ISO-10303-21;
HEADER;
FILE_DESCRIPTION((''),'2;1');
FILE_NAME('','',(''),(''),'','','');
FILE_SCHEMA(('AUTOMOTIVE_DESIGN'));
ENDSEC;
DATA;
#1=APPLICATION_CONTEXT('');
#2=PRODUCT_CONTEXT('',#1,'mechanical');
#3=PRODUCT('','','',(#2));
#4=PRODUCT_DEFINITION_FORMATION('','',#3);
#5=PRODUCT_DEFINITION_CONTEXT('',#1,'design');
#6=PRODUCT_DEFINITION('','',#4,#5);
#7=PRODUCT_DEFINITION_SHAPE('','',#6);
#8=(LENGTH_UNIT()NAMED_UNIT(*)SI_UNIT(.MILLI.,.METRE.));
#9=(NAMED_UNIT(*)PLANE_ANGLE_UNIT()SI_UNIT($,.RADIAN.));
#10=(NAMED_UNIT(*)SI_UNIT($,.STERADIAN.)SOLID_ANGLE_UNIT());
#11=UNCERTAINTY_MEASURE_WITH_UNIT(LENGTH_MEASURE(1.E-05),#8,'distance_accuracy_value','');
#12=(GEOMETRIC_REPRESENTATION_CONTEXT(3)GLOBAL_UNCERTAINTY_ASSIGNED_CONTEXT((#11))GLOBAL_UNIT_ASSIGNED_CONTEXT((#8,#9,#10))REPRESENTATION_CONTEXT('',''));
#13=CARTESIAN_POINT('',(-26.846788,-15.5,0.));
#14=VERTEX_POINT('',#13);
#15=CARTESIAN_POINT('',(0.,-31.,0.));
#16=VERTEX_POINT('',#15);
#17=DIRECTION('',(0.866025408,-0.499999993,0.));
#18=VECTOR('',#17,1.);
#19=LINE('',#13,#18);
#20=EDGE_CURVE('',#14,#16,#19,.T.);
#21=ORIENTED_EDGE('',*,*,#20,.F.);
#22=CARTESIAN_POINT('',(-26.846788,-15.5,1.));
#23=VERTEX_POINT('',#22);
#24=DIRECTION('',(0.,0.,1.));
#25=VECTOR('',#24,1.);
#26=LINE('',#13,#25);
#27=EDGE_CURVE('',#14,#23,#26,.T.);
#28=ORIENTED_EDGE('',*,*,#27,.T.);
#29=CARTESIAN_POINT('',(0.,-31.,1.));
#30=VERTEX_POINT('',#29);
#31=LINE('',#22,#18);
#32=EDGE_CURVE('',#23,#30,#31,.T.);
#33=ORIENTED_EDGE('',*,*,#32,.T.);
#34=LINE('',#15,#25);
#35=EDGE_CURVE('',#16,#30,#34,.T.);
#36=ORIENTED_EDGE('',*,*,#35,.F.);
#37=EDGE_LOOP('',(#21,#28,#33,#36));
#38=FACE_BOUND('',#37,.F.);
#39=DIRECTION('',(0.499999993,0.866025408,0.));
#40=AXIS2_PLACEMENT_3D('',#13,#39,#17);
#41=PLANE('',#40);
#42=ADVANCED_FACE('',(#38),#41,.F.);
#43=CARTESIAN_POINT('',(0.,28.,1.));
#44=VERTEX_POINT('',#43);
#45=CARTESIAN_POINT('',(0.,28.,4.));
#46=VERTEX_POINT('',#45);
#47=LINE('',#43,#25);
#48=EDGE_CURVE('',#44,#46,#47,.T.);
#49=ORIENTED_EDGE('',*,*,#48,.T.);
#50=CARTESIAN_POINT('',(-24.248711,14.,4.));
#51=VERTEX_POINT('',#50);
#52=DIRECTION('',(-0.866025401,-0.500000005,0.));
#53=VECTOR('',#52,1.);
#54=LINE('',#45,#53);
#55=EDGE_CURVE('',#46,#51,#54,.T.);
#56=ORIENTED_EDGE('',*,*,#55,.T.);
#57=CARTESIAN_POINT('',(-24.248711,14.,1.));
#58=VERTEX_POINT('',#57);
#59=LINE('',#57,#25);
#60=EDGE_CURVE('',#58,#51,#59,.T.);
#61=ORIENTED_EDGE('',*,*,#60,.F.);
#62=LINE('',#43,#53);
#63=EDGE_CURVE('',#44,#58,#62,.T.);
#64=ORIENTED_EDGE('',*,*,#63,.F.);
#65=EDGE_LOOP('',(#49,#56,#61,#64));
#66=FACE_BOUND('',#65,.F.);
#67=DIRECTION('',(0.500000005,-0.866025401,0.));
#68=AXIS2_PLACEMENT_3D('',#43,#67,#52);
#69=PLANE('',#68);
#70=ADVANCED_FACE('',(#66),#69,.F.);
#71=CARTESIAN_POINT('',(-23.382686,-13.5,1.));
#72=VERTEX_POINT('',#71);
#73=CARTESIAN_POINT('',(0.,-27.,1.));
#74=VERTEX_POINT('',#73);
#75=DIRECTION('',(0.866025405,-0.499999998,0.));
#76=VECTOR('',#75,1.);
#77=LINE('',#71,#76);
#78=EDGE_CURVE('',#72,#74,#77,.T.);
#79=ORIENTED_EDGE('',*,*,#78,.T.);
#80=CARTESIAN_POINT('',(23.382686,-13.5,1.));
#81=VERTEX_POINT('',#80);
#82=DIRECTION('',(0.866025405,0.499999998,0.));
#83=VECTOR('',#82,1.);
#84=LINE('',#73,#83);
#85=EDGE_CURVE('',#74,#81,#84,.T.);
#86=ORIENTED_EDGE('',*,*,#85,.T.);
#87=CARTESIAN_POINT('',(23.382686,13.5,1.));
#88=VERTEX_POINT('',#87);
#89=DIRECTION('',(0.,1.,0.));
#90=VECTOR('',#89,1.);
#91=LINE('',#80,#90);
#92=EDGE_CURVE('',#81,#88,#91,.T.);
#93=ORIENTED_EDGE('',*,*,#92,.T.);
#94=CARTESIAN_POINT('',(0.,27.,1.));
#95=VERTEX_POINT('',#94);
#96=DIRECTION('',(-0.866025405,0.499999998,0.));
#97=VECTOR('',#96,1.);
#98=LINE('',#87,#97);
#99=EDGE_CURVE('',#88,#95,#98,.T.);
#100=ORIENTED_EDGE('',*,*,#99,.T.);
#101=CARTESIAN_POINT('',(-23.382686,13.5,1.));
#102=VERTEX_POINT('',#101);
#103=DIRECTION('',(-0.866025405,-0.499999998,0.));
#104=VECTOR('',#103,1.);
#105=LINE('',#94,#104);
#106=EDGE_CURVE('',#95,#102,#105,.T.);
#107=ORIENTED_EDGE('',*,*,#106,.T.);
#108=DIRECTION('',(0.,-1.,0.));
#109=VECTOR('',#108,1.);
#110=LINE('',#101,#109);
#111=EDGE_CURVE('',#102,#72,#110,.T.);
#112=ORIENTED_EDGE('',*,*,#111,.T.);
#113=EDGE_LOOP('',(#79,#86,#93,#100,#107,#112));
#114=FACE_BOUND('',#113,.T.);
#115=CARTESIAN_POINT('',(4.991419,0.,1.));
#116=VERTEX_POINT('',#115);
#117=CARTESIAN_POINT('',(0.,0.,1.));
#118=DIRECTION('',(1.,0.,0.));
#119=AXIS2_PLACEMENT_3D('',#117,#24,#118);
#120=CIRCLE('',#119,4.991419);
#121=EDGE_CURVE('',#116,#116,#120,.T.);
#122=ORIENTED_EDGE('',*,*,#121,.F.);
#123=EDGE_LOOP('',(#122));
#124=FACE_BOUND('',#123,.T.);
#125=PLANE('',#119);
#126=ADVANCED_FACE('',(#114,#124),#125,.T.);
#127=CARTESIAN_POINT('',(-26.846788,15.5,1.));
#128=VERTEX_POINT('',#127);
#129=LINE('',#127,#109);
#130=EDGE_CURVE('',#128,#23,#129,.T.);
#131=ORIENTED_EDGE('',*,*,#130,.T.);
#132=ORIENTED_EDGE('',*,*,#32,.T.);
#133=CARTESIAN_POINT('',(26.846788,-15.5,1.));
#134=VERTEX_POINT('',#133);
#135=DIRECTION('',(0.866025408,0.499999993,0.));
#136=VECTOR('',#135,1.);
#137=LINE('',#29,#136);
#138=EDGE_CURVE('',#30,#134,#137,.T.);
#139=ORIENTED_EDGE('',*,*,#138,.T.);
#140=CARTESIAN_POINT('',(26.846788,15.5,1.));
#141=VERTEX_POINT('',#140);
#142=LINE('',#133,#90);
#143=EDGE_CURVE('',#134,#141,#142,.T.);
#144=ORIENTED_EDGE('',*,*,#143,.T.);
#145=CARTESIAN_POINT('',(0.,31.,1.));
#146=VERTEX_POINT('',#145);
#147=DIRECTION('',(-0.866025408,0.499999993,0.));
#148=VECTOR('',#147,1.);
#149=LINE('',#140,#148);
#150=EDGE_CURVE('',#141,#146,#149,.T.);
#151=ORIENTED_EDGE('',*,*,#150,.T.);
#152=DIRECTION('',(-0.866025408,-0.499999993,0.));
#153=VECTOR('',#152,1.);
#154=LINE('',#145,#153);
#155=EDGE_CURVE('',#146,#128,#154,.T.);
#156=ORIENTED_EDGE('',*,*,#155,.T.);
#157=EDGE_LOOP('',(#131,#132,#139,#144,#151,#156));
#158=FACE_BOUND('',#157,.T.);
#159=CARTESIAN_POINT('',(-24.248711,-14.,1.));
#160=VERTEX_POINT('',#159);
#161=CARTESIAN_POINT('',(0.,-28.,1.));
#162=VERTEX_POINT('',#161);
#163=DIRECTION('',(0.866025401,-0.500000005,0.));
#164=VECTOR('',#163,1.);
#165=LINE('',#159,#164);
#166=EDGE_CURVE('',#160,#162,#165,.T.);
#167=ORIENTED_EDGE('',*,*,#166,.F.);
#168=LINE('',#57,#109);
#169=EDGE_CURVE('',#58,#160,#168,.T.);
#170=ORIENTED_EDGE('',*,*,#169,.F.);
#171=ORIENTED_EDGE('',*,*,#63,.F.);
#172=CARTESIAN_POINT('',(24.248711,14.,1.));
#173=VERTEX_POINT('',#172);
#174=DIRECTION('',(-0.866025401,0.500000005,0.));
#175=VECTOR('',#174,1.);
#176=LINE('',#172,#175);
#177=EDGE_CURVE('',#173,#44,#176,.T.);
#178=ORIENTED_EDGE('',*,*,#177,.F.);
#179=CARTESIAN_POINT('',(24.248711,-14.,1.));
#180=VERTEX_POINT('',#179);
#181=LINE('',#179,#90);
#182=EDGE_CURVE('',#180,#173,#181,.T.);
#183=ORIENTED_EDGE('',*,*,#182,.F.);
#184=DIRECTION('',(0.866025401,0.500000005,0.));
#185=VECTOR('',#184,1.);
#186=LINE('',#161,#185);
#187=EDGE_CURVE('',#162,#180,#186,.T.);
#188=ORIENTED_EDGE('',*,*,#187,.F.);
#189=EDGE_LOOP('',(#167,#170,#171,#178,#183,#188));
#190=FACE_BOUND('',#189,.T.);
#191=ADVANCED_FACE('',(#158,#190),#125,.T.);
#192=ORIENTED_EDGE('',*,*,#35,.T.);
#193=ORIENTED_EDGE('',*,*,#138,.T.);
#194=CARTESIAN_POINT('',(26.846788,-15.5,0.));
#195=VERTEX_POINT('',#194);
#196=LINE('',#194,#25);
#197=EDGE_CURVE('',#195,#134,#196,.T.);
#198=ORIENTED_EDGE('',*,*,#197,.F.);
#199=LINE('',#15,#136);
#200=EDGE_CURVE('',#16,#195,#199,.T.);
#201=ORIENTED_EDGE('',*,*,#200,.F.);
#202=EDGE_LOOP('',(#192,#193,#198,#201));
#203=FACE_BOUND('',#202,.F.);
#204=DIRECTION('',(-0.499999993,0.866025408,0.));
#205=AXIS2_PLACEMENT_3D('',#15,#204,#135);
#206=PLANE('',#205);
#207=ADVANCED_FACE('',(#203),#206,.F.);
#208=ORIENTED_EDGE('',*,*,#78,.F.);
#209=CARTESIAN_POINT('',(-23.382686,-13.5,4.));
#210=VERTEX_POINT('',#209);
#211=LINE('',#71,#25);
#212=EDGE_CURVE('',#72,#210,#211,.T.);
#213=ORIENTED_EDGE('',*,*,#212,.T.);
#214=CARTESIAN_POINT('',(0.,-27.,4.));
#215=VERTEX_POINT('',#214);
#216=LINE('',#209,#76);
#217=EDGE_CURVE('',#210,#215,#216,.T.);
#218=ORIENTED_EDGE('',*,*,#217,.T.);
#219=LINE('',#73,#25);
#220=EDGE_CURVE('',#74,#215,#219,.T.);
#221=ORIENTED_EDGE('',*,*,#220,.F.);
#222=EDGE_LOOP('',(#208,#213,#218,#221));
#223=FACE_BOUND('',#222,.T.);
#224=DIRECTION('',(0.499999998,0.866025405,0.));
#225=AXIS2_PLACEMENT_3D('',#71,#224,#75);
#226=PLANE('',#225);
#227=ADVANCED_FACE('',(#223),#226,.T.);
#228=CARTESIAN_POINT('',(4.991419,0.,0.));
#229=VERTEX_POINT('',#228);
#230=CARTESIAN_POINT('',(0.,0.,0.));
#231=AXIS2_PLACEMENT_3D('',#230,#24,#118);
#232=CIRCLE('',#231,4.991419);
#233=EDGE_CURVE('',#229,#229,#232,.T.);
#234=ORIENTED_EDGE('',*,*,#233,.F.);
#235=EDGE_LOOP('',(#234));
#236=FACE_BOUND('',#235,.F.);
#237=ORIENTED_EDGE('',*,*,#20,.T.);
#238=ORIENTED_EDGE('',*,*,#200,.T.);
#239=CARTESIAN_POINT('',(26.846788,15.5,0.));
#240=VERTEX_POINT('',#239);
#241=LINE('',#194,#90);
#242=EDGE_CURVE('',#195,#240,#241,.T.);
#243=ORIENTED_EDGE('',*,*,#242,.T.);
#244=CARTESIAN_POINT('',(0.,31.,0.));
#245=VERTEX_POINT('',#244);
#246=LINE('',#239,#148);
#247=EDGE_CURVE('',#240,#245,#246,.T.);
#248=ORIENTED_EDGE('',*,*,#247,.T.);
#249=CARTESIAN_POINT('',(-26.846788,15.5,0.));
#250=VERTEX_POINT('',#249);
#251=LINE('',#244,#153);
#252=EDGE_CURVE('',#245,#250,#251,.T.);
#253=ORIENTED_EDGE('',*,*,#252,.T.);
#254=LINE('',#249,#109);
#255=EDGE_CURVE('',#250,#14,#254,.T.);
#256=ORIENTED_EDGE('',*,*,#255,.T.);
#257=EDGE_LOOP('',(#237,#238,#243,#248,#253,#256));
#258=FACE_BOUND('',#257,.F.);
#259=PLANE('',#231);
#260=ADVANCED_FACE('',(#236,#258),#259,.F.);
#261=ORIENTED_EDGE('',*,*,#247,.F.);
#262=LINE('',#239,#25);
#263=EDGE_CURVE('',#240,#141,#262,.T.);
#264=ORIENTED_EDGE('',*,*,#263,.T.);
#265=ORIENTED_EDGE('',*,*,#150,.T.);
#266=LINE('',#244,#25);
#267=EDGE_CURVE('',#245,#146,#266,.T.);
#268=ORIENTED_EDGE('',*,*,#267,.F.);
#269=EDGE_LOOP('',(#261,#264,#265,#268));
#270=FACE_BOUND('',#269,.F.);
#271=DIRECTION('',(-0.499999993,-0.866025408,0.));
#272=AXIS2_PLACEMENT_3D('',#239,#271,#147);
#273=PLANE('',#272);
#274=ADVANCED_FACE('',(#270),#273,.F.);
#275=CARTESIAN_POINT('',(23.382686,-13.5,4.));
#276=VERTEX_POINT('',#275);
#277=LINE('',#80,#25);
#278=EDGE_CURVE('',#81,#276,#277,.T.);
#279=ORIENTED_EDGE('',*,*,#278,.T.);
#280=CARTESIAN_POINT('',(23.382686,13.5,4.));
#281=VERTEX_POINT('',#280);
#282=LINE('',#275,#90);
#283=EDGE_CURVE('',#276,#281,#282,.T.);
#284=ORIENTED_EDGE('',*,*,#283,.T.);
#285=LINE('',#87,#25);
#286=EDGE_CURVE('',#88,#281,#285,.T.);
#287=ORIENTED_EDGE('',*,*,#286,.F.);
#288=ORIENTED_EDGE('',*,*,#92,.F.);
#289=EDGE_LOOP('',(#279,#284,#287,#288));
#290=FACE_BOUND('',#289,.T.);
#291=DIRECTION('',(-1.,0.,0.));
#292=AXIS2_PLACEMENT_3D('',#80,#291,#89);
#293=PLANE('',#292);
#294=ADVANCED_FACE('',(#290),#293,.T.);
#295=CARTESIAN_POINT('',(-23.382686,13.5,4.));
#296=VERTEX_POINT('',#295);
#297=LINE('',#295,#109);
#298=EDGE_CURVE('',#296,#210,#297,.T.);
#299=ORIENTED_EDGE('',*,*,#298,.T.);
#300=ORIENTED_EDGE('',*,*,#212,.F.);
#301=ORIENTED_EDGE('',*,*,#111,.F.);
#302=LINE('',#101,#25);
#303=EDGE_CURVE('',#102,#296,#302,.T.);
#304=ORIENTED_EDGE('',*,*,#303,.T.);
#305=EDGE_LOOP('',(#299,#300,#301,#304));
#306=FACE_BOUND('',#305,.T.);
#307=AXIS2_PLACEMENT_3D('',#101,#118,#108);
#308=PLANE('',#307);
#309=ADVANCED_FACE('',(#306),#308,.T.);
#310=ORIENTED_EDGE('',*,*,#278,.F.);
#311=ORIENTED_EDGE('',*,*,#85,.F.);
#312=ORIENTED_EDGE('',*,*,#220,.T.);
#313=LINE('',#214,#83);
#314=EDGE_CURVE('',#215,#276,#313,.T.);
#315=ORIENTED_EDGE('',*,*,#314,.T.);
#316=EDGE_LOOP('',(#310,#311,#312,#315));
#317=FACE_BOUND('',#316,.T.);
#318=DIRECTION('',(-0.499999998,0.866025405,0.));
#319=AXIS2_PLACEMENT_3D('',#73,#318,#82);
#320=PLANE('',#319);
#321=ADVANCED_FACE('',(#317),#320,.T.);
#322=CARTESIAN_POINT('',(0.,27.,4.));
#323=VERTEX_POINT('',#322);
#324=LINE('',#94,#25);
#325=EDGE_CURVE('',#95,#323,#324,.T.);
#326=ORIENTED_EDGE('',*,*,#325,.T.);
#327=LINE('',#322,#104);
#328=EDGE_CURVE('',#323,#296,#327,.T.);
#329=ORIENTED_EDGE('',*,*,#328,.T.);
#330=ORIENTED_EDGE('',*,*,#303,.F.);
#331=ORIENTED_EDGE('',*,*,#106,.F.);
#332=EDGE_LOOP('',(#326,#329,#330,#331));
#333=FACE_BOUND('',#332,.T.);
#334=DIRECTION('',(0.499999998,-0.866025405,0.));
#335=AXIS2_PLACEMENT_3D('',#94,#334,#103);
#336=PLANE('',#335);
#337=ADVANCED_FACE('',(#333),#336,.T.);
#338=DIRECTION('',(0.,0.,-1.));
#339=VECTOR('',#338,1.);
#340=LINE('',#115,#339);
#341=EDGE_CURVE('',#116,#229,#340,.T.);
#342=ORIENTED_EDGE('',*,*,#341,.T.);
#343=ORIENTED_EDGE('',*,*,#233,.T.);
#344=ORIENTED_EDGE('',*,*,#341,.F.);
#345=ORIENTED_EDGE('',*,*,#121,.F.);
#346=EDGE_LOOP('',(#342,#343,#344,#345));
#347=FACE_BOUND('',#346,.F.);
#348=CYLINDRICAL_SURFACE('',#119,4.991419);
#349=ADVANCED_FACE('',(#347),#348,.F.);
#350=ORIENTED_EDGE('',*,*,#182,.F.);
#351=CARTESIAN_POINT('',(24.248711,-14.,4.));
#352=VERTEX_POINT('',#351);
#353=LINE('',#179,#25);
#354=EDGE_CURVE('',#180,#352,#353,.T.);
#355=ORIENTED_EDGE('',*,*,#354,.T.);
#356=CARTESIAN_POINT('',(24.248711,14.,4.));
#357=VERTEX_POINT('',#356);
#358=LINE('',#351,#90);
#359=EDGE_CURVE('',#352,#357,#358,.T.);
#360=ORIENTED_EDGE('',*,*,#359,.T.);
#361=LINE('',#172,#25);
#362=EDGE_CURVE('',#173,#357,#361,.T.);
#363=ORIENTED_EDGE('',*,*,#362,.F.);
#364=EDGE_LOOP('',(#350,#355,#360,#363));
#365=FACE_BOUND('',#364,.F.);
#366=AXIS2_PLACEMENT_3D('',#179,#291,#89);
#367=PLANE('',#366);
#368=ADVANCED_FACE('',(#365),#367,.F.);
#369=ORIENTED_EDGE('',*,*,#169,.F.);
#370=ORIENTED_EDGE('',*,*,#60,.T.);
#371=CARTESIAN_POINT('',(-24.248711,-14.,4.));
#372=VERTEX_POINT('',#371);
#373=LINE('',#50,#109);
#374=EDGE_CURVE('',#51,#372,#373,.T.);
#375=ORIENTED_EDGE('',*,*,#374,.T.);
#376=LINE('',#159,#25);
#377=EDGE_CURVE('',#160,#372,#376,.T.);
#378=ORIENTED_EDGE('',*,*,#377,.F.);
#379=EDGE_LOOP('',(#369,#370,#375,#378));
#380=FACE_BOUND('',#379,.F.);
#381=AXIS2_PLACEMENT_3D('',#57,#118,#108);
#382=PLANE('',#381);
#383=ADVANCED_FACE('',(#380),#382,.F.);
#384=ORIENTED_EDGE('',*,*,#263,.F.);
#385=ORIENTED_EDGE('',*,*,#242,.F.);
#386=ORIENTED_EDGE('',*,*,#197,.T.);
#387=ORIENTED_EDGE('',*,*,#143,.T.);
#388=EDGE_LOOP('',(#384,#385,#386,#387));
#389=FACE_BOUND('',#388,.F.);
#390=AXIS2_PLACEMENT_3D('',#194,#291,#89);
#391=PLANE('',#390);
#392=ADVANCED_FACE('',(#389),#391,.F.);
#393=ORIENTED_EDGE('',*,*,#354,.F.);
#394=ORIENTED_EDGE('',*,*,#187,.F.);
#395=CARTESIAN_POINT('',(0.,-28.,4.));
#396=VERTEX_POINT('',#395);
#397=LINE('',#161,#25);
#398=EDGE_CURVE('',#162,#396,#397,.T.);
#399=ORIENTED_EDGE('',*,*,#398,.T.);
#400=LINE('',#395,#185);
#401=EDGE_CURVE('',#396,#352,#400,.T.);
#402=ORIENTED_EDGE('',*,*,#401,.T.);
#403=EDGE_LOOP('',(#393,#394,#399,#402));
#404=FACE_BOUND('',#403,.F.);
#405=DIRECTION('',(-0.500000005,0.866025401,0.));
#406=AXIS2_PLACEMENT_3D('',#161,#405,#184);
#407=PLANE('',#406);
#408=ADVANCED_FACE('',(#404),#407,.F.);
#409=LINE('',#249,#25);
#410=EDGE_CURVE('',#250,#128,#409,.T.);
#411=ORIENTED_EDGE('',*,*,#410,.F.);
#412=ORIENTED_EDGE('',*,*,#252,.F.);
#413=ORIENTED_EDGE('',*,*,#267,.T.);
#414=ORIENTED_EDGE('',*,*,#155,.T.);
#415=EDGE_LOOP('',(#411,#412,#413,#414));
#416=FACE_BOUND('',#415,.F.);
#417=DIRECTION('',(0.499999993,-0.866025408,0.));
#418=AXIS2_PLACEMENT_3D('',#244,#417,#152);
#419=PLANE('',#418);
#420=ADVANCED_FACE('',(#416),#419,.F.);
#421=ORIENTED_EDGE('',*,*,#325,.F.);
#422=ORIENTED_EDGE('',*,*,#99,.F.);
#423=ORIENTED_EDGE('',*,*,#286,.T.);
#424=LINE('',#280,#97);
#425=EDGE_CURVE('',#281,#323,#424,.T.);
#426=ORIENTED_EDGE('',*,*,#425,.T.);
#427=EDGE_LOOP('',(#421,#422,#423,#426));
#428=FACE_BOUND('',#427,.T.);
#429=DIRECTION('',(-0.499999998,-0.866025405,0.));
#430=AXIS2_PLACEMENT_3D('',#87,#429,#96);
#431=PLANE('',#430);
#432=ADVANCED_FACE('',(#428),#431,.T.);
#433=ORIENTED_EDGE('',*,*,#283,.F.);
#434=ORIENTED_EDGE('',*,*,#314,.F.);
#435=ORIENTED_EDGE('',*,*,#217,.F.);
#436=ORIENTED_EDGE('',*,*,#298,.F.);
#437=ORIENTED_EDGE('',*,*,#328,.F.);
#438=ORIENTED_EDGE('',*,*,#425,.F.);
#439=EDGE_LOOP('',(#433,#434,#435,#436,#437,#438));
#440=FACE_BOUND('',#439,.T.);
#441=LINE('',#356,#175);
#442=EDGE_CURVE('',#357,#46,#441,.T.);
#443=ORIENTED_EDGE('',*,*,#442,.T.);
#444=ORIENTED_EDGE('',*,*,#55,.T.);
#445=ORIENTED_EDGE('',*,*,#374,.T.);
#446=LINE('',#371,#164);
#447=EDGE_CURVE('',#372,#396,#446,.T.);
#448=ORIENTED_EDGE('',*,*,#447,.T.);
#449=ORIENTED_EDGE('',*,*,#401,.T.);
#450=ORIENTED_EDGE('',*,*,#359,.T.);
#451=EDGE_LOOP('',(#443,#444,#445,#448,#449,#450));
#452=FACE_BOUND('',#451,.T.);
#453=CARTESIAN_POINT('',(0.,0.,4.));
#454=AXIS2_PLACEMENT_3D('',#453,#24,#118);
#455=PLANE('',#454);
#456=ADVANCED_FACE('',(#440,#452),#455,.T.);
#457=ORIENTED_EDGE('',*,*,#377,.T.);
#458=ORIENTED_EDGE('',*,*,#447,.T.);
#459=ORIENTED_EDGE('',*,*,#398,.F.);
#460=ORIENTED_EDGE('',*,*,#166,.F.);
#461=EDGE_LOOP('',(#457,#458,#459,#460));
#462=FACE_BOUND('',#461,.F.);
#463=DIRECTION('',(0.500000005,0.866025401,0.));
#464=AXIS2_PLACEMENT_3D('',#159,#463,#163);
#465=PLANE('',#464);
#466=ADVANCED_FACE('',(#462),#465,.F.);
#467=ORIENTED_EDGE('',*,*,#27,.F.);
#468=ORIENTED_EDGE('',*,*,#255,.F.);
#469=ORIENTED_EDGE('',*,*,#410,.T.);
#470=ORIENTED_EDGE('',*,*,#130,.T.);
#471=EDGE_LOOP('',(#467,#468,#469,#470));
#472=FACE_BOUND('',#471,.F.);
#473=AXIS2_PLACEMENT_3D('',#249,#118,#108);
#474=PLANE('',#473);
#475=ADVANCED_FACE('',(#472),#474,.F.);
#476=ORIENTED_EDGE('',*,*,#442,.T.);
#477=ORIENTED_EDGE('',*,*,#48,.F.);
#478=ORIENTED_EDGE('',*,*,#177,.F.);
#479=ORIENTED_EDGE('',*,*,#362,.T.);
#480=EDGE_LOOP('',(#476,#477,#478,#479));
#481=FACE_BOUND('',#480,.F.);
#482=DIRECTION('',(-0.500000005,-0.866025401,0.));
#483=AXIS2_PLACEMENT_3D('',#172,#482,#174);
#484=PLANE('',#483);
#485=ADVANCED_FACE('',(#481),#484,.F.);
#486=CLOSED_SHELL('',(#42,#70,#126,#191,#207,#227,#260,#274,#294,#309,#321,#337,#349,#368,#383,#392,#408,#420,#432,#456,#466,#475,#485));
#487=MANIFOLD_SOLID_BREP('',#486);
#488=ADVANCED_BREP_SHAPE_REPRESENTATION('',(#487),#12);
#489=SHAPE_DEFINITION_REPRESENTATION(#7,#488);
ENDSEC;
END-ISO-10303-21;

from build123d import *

# Parameters (mm, degrees)
PAD_DEPTH    = 1
PAD001_DEPTH = 3
SKETCH002_R  = 4.991419
POCKET_DEPTH = 5


with BuildPart() as part:
    # Sketch → Pad (new body)
    with BuildSketch(Plane.XY):
        Polygon((0, -31), (26.846788, -15.5), (26.846788, 15.5), (0, 31), (-26.846788, 15.5), (-26.846788, -15.5), align=None)
    extrude(amount=PAD_DEPTH)

    # Sketch001 (on Face8 of Pad) → Pad001 (join)
    with BuildSketch(Plane.XY.offset(1)):
        Polygon((0, -28), (24.248711, -14), (24.248711, 14), (0, 28), (-24.248711, 14), (-24.248711, -14), align=None)
        Polygon((0, -27), (23.382686, -13.5), (23.382686, 13.5), (0, 27), (-23.382686, 13.5), (-23.382686, -13.5), align=None, mode=Mode.SUBTRACT)
    extrude(amount=PAD001_DEPTH)

    # Sketch002 (on Face22 of Pad001) → Pocket (cut)
    with BuildSketch(Plane.XY.offset(1)):
        Circle(SKETCH002_R)
    extrude(amount=-POCKET_DEPTH, mode=Mode.SUBTRACT)


solid = part.part
